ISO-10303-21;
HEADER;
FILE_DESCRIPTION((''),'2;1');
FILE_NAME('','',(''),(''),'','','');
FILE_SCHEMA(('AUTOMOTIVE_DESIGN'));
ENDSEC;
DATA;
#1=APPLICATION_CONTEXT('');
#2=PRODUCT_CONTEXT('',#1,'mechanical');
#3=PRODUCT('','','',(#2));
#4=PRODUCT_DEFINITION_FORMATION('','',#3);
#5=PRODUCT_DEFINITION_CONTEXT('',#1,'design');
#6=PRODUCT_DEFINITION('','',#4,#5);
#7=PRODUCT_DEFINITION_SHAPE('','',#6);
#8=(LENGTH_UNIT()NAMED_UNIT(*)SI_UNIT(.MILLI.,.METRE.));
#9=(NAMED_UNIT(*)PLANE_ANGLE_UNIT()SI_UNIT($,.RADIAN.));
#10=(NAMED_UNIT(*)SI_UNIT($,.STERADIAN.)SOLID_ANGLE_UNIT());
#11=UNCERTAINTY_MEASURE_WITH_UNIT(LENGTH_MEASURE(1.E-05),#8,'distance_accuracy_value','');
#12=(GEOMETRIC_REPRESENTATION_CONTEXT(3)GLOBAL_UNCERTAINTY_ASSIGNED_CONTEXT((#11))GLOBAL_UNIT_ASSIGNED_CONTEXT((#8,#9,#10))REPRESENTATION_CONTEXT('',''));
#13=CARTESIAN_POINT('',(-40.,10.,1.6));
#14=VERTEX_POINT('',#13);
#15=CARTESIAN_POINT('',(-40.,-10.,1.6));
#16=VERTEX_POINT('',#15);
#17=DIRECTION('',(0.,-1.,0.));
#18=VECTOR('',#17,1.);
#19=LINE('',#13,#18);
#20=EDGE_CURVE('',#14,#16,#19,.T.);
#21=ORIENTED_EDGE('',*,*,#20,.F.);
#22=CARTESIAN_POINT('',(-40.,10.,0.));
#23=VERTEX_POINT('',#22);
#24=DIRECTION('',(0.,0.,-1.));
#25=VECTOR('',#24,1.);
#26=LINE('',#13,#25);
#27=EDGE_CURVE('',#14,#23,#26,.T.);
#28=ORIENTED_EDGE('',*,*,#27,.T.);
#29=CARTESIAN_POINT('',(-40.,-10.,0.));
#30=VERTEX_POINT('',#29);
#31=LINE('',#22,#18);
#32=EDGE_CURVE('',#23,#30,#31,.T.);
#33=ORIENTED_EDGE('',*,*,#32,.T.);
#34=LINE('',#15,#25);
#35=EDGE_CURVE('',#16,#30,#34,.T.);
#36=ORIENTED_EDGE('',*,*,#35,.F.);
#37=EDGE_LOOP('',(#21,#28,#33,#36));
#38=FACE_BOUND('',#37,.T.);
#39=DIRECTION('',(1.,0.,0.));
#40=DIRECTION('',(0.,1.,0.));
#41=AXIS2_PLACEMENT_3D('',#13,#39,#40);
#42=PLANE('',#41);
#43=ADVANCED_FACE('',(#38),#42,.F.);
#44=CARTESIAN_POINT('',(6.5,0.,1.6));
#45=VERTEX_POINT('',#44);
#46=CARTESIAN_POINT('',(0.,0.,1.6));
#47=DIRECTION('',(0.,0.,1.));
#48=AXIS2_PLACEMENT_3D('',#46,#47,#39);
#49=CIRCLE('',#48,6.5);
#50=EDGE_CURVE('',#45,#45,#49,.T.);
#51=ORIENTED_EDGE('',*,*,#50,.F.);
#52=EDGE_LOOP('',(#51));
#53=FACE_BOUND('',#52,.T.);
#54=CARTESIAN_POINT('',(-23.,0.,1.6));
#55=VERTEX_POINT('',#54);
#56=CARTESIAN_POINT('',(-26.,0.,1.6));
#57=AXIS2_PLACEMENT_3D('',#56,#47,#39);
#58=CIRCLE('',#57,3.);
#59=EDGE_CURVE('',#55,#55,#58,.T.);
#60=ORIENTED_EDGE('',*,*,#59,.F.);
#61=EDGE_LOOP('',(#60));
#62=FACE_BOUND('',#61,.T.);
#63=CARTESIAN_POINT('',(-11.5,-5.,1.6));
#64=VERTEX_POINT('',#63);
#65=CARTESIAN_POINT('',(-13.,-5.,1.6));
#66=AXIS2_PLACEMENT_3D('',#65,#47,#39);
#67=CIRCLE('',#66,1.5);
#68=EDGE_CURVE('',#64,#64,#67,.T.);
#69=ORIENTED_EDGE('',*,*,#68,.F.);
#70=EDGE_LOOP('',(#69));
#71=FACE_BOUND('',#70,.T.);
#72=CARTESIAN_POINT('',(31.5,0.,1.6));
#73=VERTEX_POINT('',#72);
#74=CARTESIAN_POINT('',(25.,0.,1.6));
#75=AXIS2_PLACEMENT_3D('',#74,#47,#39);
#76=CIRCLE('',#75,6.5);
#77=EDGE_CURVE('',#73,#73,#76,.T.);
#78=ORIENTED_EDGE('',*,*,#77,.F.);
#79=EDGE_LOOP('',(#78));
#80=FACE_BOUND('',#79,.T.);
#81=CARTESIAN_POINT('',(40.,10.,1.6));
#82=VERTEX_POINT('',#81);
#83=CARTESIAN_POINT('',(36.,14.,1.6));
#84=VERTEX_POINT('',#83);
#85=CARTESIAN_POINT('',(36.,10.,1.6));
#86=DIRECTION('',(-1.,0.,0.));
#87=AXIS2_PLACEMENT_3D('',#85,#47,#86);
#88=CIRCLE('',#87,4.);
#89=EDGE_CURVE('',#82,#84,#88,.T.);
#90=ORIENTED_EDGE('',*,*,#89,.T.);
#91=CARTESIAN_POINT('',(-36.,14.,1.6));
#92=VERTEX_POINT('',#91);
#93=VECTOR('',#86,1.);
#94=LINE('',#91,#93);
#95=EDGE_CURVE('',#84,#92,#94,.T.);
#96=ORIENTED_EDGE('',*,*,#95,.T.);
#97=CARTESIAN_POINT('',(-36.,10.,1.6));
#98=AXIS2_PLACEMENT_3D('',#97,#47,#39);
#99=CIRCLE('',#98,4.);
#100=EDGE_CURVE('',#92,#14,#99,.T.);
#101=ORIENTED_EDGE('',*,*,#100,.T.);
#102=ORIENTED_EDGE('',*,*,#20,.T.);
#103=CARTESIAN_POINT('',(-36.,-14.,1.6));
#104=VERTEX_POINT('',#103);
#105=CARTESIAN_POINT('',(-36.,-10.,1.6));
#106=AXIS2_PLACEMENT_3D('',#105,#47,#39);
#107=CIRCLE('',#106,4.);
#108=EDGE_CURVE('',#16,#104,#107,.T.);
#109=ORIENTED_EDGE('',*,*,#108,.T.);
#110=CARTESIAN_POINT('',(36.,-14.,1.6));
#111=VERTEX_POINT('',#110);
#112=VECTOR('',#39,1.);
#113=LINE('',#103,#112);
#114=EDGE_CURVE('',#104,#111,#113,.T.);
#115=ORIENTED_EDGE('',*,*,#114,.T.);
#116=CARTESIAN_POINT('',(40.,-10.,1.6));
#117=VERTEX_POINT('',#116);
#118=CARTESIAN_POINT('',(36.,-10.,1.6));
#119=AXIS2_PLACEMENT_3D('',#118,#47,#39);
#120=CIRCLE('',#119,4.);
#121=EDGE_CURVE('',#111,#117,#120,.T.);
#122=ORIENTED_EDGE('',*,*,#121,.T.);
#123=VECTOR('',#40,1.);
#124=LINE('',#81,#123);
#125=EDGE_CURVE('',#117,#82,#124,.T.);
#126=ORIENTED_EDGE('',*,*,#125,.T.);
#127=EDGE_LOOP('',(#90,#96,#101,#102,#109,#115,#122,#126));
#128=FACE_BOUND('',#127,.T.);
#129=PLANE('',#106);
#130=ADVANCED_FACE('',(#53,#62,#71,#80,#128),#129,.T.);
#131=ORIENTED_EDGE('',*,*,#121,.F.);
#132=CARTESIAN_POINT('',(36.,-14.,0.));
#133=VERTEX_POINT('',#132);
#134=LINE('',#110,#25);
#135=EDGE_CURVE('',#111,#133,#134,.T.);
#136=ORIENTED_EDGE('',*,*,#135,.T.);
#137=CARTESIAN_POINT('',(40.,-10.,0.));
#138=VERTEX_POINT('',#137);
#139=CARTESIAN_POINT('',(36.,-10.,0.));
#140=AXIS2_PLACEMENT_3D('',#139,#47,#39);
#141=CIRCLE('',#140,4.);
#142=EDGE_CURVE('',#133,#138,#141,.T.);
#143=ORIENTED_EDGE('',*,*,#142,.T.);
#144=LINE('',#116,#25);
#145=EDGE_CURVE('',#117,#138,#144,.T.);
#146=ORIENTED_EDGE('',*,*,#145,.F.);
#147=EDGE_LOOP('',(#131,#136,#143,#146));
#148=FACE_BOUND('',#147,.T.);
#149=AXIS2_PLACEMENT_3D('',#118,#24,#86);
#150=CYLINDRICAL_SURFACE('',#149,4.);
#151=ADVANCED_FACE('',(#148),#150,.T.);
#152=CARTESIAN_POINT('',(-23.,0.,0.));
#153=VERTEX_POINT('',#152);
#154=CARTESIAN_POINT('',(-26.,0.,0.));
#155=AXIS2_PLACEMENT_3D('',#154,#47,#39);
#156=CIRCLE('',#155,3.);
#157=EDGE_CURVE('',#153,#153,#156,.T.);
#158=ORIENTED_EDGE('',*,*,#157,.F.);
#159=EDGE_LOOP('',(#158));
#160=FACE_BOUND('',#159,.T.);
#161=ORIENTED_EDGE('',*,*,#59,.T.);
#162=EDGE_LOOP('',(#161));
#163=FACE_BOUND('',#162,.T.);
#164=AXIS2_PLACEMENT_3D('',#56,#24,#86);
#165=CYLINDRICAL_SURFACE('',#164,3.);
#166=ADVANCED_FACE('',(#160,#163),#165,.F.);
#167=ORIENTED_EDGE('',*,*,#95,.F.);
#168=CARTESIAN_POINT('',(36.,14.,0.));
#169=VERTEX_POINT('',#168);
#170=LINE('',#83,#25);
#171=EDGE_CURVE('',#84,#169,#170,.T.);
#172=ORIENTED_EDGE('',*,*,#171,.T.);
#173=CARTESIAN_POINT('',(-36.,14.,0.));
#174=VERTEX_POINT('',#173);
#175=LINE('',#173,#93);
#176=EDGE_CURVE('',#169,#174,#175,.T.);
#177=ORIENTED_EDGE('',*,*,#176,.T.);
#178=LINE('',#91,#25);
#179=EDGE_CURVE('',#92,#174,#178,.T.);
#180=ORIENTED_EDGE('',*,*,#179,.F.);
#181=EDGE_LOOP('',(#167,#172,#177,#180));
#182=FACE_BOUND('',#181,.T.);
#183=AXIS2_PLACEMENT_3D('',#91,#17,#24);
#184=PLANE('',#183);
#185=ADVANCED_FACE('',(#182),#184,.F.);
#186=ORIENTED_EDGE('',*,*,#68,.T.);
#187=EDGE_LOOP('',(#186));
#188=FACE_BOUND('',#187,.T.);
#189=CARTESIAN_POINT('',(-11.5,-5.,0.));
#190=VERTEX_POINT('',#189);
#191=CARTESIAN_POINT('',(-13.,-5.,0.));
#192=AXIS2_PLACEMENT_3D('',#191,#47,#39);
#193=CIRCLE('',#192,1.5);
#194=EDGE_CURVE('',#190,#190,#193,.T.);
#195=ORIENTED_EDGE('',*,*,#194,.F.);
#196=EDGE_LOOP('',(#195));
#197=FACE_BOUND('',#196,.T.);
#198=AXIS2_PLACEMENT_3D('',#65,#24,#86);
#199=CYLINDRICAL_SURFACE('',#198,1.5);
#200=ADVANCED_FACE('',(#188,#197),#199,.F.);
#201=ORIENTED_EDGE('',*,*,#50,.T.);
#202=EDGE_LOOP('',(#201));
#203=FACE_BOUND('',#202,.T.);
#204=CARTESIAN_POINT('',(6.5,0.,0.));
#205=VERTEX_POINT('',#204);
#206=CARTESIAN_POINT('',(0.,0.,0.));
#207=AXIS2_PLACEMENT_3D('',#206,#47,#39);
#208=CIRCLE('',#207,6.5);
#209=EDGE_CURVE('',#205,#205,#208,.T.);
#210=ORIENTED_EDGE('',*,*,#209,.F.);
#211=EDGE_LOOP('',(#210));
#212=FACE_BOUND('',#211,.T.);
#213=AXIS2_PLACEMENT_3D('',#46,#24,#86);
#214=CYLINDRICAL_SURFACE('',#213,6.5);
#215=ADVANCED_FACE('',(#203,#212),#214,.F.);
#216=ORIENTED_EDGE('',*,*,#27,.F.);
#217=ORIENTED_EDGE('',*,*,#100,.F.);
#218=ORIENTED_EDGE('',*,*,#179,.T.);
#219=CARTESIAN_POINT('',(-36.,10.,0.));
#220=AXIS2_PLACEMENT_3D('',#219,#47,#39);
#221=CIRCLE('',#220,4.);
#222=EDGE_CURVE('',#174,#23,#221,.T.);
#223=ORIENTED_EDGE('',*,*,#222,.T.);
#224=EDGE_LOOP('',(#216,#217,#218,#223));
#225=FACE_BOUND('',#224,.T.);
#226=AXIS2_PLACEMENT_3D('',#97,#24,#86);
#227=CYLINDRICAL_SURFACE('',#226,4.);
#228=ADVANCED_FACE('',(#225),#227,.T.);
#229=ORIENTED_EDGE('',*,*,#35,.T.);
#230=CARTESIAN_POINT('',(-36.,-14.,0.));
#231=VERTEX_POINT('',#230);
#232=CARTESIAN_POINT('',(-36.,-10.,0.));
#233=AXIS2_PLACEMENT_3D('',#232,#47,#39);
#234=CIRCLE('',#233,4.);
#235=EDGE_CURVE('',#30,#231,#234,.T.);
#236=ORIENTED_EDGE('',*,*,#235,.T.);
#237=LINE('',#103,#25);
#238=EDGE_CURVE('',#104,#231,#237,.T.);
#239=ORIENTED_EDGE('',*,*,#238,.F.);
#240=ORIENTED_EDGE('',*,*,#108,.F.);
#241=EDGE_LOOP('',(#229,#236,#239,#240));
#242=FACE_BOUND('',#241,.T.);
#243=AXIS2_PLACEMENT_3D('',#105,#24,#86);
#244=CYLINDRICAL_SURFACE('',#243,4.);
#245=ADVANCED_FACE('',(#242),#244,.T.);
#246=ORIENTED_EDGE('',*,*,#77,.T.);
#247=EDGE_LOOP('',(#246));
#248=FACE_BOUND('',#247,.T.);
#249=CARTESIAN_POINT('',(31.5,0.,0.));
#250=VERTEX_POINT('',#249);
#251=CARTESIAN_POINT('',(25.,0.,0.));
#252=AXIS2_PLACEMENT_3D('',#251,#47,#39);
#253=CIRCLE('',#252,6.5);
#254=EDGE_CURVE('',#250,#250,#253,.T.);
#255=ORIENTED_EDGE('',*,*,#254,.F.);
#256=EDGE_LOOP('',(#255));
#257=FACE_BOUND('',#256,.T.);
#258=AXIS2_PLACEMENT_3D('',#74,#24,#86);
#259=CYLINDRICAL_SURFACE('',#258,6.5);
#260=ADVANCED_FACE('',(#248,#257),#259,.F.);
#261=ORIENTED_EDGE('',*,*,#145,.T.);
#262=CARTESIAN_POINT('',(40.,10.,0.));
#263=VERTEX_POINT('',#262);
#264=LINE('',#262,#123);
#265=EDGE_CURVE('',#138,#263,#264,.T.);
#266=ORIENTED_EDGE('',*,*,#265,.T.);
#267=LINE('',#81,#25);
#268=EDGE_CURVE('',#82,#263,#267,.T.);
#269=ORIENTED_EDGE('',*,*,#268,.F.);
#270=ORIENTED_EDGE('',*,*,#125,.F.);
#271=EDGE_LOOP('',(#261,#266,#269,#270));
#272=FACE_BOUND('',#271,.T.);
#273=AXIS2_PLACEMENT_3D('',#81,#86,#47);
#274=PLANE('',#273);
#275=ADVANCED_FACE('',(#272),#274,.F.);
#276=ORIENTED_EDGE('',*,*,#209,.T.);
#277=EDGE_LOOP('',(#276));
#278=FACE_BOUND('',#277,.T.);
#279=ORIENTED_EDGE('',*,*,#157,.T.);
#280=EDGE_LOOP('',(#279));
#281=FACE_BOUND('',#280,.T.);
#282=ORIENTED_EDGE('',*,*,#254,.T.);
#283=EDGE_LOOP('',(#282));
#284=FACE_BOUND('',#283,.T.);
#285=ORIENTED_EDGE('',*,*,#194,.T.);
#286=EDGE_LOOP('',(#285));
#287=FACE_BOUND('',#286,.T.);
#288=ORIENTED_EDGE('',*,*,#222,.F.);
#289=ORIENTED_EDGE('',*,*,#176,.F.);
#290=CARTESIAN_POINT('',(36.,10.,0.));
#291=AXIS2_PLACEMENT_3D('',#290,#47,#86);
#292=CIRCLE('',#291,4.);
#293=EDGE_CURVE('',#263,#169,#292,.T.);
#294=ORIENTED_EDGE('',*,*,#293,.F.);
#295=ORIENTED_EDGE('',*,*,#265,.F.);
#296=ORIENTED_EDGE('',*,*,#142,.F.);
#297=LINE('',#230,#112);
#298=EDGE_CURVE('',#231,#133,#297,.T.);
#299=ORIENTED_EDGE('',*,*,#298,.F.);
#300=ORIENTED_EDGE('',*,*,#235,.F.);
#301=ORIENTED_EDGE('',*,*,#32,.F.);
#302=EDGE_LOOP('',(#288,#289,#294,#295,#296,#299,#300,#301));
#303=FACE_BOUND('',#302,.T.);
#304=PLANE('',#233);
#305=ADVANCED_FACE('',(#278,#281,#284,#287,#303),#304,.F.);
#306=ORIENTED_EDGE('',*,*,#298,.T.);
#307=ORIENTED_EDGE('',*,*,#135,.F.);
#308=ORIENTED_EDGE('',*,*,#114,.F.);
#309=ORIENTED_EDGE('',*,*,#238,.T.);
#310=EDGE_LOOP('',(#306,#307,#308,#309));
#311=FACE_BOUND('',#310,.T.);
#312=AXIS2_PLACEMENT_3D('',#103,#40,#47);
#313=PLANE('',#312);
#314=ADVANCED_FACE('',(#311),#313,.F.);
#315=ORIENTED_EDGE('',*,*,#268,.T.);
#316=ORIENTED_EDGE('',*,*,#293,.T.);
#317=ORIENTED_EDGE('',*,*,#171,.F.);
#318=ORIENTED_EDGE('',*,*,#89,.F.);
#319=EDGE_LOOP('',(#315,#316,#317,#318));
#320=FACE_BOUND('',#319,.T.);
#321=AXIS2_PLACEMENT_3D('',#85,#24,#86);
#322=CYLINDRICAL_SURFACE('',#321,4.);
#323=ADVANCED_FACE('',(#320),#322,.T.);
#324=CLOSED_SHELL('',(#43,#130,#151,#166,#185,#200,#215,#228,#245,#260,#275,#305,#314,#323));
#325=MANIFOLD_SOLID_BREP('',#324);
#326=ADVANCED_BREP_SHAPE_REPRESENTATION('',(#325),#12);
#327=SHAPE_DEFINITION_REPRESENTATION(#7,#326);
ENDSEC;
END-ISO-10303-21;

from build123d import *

# Parameters (mm, degrees)
SKETCH1_R           = 3
SKETCH1_R_2         = 6.5
SKETCH1_R_3         = 1.5
BOSS_EXTRUDE1_DEPTH = 1.6


with BuildPart() as part:
    # Sketch1 → Boss-Extrude1 (new body)
    with BuildSketch(Plane.XY):
        with BuildLine():
            Line((-36, 14), (36, 14))
            ThreePointArc((36, 14), (38.828427125, 12.828427125), (40, 10))
            Line((40, 10), (40, -10))
            ThreePointArc((40, -10), (38.828427125, -12.828427125), (36, -14))
            Line((36, -14), (-36, -14))
            ThreePointArc((-36, -14), (-38.828427125, -12.828427125), (-40, -10))
            Line((-40, -10), (-40, 10))
            ThreePointArc((-40, 10), (-38.828427125, 12.828427125), (-36, 14))
        make_face()
        with Locations((-26, 0)):
            Circle(SKETCH1_R, mode=Mode.SUBTRACT)
        Circle(SKETCH1_R_2, mode=Mode.SUBTRACT)
        with Locations((25, 0)):
            Circle(SKETCH1_R_2, mode=Mode.SUBTRACT)
        with Locations((-13, -5)):
            Circle(SKETCH1_R_3, mode=Mode.SUBTRACT)
    extrude(amount=BOSS_EXTRUDE1_DEPTH)


solid = part.part
